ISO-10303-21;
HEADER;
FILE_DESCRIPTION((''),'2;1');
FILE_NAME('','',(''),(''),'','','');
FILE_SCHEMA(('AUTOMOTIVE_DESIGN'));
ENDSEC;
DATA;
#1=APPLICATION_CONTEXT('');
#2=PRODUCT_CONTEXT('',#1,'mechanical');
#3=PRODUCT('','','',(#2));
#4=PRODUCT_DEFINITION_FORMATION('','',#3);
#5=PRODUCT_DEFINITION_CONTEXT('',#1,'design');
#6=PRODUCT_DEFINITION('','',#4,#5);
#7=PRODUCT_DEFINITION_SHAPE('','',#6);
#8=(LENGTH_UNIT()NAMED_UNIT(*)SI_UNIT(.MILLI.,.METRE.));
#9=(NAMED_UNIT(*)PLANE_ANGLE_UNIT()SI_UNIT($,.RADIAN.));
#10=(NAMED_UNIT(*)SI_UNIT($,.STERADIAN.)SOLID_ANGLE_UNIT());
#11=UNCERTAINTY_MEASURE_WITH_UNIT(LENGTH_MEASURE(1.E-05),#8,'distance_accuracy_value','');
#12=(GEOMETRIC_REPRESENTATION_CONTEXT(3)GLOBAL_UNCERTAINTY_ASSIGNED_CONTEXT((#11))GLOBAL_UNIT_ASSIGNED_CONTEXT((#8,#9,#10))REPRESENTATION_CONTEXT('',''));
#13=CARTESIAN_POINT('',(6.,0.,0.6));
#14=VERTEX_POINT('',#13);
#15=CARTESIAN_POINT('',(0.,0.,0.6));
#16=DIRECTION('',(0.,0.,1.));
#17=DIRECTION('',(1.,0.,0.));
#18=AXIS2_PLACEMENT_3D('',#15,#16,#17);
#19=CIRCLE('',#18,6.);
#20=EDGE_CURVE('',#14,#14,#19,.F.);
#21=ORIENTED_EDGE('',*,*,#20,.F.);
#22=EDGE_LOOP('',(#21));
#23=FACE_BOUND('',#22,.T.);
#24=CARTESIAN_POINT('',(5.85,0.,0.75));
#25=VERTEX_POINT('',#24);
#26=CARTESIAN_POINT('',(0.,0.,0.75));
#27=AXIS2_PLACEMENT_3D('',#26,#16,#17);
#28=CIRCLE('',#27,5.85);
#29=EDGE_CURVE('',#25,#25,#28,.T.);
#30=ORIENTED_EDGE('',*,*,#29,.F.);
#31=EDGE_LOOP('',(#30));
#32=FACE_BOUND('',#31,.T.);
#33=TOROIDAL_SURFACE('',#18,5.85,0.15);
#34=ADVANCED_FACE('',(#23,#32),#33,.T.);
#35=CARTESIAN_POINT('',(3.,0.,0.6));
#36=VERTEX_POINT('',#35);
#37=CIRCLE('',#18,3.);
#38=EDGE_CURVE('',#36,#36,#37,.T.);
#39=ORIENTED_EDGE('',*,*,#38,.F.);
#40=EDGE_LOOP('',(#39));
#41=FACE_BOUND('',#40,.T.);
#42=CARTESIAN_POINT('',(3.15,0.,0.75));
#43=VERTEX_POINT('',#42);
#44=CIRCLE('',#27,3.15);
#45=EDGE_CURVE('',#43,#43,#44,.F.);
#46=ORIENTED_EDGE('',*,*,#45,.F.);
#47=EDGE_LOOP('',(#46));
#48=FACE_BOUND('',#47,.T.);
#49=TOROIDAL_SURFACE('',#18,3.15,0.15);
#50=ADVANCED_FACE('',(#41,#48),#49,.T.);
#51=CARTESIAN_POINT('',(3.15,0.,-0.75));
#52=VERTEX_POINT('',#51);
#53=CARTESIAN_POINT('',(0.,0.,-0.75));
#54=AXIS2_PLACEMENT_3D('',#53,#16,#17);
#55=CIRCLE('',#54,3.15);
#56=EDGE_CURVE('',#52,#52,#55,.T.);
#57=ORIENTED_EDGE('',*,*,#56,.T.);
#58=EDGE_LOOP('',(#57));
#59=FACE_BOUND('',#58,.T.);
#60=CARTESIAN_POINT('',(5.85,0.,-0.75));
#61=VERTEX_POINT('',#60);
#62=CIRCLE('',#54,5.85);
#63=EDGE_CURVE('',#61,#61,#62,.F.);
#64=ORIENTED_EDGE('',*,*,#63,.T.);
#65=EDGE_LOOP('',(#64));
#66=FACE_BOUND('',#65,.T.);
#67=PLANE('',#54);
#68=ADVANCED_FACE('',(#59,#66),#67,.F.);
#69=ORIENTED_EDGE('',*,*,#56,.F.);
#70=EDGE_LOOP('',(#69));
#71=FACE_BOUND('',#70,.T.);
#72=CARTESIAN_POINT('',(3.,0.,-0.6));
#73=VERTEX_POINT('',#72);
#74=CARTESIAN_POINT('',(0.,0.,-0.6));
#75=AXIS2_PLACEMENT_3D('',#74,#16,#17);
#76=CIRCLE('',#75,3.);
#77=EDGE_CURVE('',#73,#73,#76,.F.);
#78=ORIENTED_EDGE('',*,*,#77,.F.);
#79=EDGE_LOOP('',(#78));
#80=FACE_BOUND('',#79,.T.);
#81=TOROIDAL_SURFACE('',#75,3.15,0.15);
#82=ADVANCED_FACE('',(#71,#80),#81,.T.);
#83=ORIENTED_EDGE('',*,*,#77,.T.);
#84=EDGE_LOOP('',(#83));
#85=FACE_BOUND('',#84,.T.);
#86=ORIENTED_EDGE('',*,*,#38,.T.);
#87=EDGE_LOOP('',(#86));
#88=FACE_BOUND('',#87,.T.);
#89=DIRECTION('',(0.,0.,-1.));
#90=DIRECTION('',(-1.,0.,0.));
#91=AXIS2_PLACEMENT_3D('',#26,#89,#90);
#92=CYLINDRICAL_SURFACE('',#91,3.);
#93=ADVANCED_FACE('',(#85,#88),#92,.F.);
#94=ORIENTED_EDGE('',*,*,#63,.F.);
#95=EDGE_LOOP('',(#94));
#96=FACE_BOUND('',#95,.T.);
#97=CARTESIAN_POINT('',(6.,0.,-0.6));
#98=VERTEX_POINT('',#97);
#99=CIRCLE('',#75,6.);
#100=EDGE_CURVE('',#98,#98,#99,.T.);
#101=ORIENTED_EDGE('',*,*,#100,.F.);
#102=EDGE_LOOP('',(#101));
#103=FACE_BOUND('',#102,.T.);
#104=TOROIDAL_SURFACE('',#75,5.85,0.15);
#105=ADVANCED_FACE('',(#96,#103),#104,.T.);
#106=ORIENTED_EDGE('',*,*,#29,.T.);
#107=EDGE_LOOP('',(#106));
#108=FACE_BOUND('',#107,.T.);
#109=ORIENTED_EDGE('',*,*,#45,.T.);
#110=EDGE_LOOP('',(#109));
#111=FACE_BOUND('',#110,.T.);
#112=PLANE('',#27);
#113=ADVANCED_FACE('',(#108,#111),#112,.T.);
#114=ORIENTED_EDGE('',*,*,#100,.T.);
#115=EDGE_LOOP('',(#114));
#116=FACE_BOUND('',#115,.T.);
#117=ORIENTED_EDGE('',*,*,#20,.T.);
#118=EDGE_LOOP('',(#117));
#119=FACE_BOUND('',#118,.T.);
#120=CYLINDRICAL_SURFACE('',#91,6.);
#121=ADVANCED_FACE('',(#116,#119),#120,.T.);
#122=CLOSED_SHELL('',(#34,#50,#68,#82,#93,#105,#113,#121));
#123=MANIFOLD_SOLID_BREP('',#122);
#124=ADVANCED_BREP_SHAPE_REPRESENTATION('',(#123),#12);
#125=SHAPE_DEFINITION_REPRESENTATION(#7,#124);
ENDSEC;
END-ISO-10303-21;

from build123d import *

# Parameters (mm, degrees)
SKETCH3_R                = 6
SKETCH3_R_2              = 3
BOSS_EXTRUDE1_DEPTH      = 0.75
BOSS_EXTRUDE1_DEPTH_BACK = 0.75
FILLET1_R                = 0.15


with BuildPart() as part:
    # Sketch3 → Boss-Extrude1 (new body, two sides)
    with BuildSketch(Plane.XY) as boss_extrude1_sk:
        Circle(SKETCH3_R)
        Circle(SKETCH3_R_2, mode=Mode.SUBTRACT)
    extrude(amount=BOSS_EXTRUDE1_DEPTH)
    extrude(boss_extrude1_sk.sketch, amount=-BOSS_EXTRUDE1_DEPTH_BACK)

    # Fillet1
    fillet1_edges = [part.edges().sort_by_distance(p)[0] for p in [
        (-6, 0, 0.75),
        (-3, 0, 0.75),
        (-6, 0, -0.75),
        (-3, 0, -0.75),
    ]]
    fillet(fillet1_edges, radius=FILLET1_R)


solid = part.part
